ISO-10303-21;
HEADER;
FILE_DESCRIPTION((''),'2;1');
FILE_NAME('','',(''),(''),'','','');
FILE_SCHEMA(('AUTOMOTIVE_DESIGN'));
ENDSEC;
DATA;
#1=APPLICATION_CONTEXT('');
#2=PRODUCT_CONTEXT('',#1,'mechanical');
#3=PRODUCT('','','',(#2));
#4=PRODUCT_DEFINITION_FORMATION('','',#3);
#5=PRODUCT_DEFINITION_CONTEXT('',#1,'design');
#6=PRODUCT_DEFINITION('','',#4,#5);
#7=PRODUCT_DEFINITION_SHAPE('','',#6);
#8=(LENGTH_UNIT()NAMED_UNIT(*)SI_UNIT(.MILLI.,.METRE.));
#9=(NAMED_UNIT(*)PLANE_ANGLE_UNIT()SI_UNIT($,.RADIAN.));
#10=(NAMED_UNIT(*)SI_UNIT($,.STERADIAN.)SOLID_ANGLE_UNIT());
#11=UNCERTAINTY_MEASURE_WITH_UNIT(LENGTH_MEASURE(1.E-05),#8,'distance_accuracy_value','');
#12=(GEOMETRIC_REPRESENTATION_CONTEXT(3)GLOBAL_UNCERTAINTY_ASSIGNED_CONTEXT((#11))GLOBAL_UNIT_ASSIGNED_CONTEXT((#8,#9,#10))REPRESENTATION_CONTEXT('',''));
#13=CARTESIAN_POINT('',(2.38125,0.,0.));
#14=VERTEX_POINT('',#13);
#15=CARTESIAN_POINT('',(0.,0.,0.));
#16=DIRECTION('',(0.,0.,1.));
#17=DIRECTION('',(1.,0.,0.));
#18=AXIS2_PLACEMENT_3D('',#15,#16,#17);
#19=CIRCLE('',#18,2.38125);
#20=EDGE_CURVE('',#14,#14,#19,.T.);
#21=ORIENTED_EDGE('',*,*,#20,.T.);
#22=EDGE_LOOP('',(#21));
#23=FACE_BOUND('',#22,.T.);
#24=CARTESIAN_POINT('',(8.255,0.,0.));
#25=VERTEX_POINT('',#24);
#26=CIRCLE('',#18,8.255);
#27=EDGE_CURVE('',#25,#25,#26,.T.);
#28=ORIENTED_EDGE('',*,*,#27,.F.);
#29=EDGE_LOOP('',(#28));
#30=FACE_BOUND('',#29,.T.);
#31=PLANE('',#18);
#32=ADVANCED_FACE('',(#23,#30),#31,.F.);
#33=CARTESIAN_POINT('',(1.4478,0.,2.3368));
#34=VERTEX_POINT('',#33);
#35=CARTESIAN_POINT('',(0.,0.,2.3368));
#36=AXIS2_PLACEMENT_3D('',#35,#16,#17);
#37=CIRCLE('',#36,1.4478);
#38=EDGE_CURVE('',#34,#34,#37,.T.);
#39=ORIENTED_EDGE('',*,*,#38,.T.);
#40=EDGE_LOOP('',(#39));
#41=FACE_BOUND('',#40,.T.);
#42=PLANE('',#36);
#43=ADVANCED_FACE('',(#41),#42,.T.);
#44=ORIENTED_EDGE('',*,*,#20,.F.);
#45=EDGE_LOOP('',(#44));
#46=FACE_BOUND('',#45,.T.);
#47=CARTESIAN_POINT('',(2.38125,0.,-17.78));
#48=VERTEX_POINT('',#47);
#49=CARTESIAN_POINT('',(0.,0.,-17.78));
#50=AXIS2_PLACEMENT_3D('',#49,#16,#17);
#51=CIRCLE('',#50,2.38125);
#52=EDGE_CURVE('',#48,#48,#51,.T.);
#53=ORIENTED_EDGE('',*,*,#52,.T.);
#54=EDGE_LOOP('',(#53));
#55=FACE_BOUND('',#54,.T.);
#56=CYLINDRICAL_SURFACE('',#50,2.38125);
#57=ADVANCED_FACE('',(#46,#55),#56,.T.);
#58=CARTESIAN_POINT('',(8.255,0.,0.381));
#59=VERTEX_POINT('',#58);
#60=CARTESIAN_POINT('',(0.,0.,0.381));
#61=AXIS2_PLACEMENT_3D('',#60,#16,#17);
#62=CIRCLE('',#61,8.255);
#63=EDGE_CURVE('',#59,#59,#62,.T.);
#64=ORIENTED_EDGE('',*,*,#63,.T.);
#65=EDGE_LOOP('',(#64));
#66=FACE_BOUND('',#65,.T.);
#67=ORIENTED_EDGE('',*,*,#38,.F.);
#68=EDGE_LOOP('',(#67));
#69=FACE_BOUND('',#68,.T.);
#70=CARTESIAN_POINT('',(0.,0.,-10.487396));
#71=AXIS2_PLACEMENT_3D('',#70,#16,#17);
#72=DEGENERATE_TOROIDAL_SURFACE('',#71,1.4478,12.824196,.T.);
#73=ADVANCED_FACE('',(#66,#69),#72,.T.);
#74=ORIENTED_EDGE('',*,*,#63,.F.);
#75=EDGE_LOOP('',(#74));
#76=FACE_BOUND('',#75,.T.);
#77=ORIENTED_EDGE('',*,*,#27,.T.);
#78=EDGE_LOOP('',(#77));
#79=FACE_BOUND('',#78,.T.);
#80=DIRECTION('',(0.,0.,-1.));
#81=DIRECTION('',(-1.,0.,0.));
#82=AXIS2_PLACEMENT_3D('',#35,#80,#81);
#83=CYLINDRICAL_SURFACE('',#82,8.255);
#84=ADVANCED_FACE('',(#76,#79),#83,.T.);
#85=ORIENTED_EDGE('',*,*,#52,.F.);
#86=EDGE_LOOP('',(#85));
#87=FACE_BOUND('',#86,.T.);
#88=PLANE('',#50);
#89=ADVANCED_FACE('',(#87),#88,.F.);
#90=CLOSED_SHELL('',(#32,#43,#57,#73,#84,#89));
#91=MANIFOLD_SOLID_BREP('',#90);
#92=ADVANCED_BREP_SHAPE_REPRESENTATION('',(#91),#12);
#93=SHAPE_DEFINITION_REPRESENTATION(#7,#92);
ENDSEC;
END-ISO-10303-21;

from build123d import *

# Parameters (mm, degrees)
SKETCH1_R           = 8.255
BOSS_EXTRUDE1_DEPTH = 2.3368
SKETCH2_R           = 2.38125
BOSS_EXTRUDE2_DEPTH = 17.78


with BuildPart() as part:
    # Sketch1 → Boss-Extrude1 (new body)
    with BuildSketch(Plane.XY):
        Circle(SKETCH1_R)
    extrude(amount=BOSS_EXTRUDE1_DEPTH)

    # Sketch2 → Boss-Extrude2 (add)
    with BuildSketch(Plane.XY):
        Circle(SKETCH2_R)
    extrude(amount=-BOSS_EXTRUDE2_DEPTH)

    # Sketch3 → Cut-Revolve1 (revolve, cut)
    with BuildSketch(Plane(origin=(0, 0, 0), x_dir=(1, 0, 0), z_dir=(0, 1, 0))):
        with BuildLine():
            ThreePointArc((1.4478, -2.3368), (4.989096566, -1.838155581), (8.255, -0.381))
            Line((8.255, -0.381), (8.255, -2.3368))
            Line((8.255, -2.3368), (1.4478, -2.3368))
        make_face()
    revolve(axis=Axis((0, 0, 2.3368), (0, 0, -1)), mode=Mode.SUBTRACT)


solid = part.part
